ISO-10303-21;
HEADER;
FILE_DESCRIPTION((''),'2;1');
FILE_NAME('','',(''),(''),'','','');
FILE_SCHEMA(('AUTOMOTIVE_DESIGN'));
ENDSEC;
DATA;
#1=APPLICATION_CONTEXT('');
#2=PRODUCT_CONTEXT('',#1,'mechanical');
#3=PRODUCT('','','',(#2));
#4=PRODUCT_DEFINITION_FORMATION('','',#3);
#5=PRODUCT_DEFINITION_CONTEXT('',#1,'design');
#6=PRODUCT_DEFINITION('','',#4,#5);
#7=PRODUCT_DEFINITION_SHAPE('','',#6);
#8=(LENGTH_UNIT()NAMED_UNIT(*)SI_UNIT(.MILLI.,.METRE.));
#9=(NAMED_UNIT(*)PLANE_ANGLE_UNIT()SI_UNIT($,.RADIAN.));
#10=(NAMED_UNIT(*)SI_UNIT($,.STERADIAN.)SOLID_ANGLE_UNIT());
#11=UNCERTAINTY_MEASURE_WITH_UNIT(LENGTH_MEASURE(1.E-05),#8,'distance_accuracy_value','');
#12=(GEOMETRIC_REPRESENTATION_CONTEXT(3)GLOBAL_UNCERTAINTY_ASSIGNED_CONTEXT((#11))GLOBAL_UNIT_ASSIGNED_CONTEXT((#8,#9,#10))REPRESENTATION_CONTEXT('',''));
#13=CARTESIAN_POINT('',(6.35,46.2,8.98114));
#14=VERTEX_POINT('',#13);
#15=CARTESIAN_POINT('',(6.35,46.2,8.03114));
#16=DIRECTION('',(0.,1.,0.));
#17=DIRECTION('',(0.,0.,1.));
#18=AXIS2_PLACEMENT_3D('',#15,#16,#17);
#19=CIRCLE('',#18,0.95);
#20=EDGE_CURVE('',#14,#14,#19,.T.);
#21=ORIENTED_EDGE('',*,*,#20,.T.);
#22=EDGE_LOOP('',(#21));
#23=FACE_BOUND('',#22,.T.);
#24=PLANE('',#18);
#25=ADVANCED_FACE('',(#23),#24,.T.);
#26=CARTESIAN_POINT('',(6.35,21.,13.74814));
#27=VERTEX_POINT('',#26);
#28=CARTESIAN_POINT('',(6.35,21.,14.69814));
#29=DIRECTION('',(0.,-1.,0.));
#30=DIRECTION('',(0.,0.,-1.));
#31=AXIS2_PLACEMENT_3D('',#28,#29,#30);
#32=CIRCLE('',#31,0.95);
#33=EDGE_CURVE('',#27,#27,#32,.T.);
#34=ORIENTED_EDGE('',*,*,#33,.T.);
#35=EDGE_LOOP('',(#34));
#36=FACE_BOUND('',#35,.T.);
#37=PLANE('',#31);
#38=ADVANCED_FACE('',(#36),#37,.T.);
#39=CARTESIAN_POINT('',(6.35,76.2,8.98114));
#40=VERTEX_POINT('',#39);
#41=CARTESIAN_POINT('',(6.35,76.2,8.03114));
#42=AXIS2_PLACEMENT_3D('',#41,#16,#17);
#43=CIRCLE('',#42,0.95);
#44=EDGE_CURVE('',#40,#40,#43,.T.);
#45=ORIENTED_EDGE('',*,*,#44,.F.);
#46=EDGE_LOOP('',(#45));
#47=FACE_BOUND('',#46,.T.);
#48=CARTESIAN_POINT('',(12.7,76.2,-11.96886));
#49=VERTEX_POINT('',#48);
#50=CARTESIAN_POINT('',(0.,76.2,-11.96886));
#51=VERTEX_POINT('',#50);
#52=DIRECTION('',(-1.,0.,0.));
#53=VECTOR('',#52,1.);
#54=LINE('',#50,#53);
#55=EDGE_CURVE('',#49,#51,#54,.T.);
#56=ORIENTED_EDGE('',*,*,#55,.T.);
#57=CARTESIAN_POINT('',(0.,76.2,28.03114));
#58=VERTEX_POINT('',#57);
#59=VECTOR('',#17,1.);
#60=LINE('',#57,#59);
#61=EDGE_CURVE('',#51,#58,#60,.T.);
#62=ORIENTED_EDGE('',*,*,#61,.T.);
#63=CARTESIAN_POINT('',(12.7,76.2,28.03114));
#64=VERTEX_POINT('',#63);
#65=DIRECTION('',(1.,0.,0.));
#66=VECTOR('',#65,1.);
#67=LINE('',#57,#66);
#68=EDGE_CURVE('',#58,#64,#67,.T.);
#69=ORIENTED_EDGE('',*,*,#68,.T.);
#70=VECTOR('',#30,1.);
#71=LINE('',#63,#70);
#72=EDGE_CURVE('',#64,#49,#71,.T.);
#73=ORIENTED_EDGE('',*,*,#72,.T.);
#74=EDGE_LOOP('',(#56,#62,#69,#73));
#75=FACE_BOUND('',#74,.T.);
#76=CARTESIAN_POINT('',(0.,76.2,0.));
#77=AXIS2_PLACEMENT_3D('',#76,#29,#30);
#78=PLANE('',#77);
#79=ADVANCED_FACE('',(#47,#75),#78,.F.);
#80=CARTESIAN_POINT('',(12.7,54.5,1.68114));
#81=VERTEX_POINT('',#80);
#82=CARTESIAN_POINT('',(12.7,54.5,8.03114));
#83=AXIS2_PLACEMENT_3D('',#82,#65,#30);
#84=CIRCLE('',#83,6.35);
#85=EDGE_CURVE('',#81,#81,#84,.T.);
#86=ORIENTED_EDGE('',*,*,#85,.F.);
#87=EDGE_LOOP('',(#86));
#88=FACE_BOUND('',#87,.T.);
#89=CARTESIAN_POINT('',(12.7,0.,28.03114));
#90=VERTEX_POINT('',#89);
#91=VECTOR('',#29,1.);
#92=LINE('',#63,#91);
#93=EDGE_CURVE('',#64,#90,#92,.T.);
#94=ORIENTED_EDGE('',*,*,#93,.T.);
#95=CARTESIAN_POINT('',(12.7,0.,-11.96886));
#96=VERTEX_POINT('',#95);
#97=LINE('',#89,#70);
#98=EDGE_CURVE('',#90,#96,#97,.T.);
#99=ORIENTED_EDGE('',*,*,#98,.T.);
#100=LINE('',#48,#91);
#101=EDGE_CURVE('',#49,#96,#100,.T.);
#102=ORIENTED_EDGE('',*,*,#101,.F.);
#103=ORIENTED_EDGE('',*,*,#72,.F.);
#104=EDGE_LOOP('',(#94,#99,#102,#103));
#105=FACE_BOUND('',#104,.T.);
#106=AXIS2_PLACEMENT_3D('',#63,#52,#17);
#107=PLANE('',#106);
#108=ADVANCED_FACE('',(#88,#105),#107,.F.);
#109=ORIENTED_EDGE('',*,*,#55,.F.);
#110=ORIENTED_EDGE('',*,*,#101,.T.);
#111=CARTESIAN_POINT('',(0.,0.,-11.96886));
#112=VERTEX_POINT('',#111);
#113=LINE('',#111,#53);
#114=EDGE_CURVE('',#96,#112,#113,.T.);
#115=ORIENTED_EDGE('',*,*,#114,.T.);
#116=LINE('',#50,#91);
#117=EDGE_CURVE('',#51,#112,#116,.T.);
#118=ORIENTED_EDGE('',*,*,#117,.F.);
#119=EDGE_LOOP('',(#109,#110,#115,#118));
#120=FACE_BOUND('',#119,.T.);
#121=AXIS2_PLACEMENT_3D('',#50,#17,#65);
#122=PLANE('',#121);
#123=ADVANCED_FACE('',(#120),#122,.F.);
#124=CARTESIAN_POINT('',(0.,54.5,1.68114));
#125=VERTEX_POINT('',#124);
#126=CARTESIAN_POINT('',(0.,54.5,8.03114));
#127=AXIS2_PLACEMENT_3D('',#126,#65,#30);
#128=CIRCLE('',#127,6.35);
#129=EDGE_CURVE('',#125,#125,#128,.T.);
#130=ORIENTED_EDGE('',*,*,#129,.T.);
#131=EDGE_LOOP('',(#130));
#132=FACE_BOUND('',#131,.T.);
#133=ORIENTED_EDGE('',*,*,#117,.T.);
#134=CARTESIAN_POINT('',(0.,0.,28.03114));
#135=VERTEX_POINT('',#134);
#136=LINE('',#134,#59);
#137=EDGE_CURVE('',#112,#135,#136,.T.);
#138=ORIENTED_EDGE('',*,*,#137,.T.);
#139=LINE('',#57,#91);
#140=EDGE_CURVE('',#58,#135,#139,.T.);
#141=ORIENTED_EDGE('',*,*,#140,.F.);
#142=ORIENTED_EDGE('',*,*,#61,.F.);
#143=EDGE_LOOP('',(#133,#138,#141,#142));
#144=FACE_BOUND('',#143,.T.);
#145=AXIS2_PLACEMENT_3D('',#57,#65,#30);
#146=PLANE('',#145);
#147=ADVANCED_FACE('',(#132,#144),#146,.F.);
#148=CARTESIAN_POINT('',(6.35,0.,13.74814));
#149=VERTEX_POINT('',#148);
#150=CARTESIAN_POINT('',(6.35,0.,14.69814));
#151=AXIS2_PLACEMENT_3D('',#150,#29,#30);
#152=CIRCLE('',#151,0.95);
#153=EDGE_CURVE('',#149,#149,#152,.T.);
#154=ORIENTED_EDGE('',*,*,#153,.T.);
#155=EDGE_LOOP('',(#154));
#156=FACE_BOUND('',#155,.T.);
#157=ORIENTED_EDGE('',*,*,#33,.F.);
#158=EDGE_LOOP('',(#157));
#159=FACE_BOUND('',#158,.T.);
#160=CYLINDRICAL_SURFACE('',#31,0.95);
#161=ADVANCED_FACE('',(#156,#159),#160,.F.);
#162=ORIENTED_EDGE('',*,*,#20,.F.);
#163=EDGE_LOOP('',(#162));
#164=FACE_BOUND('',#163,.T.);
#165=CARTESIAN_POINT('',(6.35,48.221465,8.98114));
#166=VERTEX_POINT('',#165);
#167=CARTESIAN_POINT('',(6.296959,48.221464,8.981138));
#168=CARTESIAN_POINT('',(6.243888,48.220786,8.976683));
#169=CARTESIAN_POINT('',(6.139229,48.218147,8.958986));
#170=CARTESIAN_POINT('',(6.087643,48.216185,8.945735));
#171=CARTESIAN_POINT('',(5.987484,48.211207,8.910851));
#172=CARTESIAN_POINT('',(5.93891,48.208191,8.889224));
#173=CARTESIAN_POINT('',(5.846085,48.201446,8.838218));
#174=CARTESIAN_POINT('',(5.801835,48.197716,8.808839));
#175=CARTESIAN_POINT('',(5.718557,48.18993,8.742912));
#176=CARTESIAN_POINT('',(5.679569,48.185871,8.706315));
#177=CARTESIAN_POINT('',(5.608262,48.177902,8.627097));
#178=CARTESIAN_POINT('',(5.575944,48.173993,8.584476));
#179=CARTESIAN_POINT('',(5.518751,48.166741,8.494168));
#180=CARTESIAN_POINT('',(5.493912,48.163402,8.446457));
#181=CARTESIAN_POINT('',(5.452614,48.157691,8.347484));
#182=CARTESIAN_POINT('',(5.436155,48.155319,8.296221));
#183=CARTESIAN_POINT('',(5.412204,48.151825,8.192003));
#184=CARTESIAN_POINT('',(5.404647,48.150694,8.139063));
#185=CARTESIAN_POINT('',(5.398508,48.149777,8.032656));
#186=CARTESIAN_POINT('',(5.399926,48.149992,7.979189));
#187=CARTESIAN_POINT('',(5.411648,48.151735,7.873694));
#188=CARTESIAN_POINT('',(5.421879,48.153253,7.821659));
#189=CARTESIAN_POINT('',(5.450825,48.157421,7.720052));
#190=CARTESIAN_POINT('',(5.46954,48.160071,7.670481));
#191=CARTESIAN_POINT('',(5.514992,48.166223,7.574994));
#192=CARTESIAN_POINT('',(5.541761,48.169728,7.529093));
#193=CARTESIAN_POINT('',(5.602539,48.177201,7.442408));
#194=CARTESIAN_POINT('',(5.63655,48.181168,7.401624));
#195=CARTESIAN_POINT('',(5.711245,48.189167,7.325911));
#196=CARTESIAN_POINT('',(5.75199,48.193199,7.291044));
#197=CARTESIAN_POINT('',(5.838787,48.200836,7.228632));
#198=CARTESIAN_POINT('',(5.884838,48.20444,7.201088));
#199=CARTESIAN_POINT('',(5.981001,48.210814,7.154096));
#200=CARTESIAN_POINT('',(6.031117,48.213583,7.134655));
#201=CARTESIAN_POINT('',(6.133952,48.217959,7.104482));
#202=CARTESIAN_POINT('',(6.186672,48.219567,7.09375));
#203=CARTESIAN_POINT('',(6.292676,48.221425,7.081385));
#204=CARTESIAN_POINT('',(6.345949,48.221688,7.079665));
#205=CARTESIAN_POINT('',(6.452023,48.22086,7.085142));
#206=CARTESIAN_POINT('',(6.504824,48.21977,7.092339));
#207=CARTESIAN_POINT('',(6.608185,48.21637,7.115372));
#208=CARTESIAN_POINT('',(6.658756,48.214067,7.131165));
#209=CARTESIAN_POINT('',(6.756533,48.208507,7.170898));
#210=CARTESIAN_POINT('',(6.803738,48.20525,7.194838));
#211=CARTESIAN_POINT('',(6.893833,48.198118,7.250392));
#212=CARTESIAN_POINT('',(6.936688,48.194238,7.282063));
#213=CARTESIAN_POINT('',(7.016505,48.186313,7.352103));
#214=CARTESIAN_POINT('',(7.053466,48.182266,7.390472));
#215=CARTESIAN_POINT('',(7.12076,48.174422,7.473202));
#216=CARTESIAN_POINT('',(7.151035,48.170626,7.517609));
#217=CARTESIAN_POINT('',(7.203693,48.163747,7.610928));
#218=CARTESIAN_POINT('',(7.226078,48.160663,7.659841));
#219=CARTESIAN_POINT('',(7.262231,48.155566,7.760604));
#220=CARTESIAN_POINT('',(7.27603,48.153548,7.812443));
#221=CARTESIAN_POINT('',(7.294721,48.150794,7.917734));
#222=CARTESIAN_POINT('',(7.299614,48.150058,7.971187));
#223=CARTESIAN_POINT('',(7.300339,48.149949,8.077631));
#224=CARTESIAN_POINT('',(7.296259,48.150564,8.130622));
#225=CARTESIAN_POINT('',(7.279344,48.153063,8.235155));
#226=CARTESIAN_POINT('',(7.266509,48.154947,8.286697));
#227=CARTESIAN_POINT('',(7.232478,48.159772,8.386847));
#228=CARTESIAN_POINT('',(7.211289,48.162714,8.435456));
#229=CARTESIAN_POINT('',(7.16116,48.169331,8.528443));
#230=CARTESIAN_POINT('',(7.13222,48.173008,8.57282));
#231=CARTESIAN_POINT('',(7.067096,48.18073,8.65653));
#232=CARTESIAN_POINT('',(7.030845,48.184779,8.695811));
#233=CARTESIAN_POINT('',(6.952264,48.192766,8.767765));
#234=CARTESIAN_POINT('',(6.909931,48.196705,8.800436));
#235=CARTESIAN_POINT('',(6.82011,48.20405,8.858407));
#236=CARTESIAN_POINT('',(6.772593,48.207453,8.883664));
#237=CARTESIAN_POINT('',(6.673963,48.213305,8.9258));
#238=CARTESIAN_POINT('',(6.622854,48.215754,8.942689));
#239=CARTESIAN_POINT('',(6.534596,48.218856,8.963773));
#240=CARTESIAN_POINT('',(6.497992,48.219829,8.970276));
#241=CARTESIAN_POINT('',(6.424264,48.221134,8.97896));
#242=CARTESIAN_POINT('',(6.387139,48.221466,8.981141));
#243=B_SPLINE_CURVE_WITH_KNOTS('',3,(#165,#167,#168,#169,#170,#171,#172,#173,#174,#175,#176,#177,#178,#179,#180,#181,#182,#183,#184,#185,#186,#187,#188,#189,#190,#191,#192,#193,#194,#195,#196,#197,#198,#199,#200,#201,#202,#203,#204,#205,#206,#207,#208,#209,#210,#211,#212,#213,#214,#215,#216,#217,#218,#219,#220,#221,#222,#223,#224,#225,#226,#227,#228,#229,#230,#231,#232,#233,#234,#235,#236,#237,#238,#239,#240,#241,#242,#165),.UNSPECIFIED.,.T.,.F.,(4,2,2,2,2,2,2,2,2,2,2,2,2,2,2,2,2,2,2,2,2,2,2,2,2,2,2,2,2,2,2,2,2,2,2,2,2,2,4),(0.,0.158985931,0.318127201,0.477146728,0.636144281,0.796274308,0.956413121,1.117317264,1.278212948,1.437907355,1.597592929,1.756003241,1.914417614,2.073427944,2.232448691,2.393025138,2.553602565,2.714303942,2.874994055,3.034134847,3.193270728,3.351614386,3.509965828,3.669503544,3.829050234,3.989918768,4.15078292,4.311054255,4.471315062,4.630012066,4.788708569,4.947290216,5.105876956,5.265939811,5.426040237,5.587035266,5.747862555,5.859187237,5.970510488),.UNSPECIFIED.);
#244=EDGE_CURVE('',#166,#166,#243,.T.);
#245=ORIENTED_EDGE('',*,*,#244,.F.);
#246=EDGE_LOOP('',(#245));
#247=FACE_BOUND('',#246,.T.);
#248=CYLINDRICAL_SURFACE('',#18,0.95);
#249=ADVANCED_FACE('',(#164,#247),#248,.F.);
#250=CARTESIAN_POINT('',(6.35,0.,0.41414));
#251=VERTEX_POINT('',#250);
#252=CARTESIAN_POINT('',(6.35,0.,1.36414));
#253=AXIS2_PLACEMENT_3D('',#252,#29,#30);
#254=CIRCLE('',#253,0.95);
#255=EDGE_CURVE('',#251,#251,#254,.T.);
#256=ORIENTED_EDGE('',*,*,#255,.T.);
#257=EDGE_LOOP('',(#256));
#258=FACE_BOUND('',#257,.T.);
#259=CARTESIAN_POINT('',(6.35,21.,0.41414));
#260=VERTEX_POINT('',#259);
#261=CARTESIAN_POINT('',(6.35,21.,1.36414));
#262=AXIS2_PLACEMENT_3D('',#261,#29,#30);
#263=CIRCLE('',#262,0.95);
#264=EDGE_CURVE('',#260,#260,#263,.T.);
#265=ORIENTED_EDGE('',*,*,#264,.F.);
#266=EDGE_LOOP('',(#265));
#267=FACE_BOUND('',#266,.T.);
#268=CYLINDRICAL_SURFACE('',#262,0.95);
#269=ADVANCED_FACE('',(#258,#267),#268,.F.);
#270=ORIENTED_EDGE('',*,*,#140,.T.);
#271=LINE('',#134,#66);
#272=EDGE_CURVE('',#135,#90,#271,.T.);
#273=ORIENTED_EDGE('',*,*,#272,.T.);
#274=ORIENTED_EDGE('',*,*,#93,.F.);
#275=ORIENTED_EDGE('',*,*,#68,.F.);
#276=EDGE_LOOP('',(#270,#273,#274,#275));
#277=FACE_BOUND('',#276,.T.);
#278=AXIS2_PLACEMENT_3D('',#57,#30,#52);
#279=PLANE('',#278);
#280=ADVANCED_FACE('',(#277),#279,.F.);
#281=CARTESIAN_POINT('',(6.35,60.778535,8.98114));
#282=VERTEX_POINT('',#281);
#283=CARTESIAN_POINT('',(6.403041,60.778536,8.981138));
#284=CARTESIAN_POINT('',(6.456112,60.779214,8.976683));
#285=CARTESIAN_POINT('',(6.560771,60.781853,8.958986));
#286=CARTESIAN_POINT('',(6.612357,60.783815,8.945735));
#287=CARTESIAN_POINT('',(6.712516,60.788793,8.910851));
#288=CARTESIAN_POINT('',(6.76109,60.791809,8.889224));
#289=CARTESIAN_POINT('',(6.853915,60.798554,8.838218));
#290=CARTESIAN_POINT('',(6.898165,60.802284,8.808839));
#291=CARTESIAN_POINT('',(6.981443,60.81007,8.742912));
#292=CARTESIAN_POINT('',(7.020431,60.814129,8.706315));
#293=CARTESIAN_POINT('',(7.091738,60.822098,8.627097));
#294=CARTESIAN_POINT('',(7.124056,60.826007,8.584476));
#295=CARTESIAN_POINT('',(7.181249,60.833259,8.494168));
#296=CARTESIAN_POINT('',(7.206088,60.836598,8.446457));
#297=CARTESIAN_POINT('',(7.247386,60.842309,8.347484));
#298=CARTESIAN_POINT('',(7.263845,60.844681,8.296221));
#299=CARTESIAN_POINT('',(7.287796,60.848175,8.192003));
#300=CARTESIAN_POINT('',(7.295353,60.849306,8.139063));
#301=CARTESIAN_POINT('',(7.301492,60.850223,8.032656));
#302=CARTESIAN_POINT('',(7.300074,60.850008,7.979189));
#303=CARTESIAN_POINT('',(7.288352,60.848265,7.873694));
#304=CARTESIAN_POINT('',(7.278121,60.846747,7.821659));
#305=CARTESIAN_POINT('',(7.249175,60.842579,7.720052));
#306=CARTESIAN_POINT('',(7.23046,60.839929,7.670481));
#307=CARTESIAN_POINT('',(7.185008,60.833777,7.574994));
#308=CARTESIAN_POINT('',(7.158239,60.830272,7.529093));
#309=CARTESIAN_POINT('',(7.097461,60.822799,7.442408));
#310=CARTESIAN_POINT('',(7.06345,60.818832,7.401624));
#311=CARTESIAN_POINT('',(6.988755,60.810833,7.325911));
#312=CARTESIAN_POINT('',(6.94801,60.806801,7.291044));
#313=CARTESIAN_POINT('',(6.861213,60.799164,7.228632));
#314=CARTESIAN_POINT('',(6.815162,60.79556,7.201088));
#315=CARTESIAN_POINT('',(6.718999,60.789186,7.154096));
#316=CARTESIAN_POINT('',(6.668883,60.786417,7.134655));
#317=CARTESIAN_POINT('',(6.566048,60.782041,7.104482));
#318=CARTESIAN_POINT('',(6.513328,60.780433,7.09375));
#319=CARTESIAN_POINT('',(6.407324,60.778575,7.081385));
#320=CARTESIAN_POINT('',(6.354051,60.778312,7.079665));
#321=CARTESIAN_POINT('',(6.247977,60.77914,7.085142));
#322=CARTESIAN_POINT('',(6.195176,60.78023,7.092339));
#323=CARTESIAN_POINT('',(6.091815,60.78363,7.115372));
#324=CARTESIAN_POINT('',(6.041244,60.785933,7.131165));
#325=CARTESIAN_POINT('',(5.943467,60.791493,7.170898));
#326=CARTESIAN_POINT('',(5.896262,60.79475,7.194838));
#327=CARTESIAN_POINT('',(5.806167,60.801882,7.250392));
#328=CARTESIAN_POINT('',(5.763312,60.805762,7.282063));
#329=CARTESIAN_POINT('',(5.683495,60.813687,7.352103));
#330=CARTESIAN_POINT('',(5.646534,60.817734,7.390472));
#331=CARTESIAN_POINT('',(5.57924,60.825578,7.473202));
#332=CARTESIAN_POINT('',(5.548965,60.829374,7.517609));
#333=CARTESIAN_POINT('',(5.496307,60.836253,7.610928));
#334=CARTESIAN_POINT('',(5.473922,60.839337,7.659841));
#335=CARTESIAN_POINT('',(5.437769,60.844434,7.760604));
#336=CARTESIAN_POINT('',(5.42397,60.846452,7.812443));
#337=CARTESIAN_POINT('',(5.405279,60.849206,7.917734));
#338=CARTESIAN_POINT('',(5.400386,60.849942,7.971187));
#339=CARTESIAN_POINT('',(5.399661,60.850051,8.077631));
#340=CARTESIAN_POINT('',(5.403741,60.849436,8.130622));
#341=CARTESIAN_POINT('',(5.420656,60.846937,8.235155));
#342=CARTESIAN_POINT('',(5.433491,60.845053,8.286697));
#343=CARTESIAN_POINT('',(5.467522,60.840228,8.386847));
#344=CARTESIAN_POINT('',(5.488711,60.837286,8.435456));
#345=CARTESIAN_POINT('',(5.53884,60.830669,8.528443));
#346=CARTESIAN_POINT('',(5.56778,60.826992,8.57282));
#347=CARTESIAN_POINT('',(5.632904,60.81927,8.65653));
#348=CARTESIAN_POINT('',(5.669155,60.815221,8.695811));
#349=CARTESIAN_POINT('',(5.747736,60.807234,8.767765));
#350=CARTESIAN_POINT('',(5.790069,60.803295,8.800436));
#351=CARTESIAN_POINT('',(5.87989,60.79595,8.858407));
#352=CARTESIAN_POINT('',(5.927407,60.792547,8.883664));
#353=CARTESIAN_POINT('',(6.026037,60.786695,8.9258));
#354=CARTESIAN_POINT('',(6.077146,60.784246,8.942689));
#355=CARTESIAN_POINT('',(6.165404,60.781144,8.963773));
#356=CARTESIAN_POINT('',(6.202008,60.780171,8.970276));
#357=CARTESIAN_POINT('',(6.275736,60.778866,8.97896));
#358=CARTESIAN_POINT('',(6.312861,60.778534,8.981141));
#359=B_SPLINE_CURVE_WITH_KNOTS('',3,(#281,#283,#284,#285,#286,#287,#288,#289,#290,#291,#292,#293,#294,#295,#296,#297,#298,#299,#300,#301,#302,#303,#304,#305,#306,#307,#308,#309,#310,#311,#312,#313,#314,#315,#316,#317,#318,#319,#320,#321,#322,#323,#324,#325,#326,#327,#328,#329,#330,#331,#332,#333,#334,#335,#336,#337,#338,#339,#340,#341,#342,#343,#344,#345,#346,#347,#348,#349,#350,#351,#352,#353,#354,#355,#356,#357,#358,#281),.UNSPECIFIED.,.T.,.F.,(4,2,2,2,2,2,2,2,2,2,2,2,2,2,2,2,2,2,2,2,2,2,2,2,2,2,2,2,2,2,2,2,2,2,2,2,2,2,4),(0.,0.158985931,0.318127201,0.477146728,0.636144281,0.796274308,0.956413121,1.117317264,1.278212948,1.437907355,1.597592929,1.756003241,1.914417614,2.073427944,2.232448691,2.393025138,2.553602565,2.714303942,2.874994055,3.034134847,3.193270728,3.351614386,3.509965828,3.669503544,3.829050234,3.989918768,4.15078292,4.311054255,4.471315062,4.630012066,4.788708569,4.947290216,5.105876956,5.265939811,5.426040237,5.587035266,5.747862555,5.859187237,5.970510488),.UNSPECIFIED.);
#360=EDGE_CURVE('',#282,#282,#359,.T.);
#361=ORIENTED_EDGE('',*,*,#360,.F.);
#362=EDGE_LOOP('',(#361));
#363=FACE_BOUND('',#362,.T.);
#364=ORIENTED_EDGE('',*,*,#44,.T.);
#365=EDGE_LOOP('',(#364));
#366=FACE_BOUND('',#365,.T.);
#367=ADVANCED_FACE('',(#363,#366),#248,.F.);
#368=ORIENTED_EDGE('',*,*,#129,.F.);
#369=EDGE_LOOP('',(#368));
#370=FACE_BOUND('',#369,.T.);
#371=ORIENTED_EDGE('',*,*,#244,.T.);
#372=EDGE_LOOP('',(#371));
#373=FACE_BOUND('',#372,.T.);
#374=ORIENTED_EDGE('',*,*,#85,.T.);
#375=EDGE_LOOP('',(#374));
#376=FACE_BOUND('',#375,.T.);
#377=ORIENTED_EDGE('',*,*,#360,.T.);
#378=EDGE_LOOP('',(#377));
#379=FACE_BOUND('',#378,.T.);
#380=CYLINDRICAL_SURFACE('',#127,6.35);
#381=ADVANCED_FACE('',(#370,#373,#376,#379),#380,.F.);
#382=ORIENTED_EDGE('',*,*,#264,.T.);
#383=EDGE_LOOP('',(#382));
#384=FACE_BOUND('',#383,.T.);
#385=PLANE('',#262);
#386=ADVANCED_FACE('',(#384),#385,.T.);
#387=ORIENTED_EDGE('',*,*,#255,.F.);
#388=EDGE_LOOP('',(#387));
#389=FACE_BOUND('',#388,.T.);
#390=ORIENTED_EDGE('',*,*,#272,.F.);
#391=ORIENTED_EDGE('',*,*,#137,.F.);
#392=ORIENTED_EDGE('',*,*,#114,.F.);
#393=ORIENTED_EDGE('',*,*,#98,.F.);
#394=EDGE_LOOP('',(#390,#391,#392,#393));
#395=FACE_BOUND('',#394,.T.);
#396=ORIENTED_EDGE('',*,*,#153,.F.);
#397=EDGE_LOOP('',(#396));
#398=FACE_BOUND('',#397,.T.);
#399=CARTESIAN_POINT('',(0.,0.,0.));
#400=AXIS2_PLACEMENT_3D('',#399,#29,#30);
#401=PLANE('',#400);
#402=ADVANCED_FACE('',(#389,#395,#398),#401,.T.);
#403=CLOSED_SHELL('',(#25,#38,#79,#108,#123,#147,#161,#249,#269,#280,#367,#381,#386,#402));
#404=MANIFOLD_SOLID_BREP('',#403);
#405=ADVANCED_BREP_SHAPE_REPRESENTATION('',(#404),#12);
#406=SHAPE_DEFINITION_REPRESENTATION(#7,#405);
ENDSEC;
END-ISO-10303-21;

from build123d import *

# Parameters (mm, degrees)
SKETCH11_W          = 12.7
SKETCH11_H          = 40
BOSS_EXTRUDE2_DEPTH = 76.2
SKETCH12_R          = 6.35
CUT_EXTRUDE5_DEPTH  = 13.7
SKETCH13_R          = 0.95
CUT_EXTRUDE6_DEPTH  = 30
SKETCH17_R          = 0.95
CUT_EXTRUDE8_DEPTH  = 21


with BuildPart() as part:
    # Sketch11 → Boss-Extrude2 (new body)
    with BuildSketch(Plane(origin=(0, 0, 0), x_dir=(1, 0, 0), z_dir=(0, 1, 0))):
        with Locations((6.35, -8.031139822)):
            Rectangle(SKETCH11_W, SKETCH11_H)
    extrude(amount=BOSS_EXTRUDE2_DEPTH)

    # Sketch12 → Cut-Extrude5 (cut, through all)
    with BuildSketch(Plane(origin=(12.7, 0, 0), x_dir=(0, 0, -1), z_dir=(1, 0, 0))):
        with Locations((-8.031139822, 54.5)):
            Circle(SKETCH12_R)
    extrude(amount=-CUT_EXTRUDE5_DEPTH, mode=Mode.SUBTRACT)

    # Sketch13 → Cut-Extrude6 (cut)
    with BuildSketch(Plane(origin=(0, 76.2, 0), x_dir=(1, 0, 0), z_dir=(0, 1, 0))):
        with Locations((6.35, -8.031139822)):
            Circle(SKETCH13_R)
    extrude(amount=-CUT_EXTRUDE6_DEPTH, mode=Mode.SUBTRACT)

    # Sketch17 → Cut-Extrude8 (cut)
    with BuildSketch(Plane.XZ):
        with Locations((6.35, 14.698139822)):
            Circle(SKETCH17_R)
        with Locations((6.35, 1.364139822)):
            Circle(SKETCH17_R)
    extrude(amount=-CUT_EXTRUDE8_DEPTH, mode=Mode.SUBTRACT)


solid = part.part
